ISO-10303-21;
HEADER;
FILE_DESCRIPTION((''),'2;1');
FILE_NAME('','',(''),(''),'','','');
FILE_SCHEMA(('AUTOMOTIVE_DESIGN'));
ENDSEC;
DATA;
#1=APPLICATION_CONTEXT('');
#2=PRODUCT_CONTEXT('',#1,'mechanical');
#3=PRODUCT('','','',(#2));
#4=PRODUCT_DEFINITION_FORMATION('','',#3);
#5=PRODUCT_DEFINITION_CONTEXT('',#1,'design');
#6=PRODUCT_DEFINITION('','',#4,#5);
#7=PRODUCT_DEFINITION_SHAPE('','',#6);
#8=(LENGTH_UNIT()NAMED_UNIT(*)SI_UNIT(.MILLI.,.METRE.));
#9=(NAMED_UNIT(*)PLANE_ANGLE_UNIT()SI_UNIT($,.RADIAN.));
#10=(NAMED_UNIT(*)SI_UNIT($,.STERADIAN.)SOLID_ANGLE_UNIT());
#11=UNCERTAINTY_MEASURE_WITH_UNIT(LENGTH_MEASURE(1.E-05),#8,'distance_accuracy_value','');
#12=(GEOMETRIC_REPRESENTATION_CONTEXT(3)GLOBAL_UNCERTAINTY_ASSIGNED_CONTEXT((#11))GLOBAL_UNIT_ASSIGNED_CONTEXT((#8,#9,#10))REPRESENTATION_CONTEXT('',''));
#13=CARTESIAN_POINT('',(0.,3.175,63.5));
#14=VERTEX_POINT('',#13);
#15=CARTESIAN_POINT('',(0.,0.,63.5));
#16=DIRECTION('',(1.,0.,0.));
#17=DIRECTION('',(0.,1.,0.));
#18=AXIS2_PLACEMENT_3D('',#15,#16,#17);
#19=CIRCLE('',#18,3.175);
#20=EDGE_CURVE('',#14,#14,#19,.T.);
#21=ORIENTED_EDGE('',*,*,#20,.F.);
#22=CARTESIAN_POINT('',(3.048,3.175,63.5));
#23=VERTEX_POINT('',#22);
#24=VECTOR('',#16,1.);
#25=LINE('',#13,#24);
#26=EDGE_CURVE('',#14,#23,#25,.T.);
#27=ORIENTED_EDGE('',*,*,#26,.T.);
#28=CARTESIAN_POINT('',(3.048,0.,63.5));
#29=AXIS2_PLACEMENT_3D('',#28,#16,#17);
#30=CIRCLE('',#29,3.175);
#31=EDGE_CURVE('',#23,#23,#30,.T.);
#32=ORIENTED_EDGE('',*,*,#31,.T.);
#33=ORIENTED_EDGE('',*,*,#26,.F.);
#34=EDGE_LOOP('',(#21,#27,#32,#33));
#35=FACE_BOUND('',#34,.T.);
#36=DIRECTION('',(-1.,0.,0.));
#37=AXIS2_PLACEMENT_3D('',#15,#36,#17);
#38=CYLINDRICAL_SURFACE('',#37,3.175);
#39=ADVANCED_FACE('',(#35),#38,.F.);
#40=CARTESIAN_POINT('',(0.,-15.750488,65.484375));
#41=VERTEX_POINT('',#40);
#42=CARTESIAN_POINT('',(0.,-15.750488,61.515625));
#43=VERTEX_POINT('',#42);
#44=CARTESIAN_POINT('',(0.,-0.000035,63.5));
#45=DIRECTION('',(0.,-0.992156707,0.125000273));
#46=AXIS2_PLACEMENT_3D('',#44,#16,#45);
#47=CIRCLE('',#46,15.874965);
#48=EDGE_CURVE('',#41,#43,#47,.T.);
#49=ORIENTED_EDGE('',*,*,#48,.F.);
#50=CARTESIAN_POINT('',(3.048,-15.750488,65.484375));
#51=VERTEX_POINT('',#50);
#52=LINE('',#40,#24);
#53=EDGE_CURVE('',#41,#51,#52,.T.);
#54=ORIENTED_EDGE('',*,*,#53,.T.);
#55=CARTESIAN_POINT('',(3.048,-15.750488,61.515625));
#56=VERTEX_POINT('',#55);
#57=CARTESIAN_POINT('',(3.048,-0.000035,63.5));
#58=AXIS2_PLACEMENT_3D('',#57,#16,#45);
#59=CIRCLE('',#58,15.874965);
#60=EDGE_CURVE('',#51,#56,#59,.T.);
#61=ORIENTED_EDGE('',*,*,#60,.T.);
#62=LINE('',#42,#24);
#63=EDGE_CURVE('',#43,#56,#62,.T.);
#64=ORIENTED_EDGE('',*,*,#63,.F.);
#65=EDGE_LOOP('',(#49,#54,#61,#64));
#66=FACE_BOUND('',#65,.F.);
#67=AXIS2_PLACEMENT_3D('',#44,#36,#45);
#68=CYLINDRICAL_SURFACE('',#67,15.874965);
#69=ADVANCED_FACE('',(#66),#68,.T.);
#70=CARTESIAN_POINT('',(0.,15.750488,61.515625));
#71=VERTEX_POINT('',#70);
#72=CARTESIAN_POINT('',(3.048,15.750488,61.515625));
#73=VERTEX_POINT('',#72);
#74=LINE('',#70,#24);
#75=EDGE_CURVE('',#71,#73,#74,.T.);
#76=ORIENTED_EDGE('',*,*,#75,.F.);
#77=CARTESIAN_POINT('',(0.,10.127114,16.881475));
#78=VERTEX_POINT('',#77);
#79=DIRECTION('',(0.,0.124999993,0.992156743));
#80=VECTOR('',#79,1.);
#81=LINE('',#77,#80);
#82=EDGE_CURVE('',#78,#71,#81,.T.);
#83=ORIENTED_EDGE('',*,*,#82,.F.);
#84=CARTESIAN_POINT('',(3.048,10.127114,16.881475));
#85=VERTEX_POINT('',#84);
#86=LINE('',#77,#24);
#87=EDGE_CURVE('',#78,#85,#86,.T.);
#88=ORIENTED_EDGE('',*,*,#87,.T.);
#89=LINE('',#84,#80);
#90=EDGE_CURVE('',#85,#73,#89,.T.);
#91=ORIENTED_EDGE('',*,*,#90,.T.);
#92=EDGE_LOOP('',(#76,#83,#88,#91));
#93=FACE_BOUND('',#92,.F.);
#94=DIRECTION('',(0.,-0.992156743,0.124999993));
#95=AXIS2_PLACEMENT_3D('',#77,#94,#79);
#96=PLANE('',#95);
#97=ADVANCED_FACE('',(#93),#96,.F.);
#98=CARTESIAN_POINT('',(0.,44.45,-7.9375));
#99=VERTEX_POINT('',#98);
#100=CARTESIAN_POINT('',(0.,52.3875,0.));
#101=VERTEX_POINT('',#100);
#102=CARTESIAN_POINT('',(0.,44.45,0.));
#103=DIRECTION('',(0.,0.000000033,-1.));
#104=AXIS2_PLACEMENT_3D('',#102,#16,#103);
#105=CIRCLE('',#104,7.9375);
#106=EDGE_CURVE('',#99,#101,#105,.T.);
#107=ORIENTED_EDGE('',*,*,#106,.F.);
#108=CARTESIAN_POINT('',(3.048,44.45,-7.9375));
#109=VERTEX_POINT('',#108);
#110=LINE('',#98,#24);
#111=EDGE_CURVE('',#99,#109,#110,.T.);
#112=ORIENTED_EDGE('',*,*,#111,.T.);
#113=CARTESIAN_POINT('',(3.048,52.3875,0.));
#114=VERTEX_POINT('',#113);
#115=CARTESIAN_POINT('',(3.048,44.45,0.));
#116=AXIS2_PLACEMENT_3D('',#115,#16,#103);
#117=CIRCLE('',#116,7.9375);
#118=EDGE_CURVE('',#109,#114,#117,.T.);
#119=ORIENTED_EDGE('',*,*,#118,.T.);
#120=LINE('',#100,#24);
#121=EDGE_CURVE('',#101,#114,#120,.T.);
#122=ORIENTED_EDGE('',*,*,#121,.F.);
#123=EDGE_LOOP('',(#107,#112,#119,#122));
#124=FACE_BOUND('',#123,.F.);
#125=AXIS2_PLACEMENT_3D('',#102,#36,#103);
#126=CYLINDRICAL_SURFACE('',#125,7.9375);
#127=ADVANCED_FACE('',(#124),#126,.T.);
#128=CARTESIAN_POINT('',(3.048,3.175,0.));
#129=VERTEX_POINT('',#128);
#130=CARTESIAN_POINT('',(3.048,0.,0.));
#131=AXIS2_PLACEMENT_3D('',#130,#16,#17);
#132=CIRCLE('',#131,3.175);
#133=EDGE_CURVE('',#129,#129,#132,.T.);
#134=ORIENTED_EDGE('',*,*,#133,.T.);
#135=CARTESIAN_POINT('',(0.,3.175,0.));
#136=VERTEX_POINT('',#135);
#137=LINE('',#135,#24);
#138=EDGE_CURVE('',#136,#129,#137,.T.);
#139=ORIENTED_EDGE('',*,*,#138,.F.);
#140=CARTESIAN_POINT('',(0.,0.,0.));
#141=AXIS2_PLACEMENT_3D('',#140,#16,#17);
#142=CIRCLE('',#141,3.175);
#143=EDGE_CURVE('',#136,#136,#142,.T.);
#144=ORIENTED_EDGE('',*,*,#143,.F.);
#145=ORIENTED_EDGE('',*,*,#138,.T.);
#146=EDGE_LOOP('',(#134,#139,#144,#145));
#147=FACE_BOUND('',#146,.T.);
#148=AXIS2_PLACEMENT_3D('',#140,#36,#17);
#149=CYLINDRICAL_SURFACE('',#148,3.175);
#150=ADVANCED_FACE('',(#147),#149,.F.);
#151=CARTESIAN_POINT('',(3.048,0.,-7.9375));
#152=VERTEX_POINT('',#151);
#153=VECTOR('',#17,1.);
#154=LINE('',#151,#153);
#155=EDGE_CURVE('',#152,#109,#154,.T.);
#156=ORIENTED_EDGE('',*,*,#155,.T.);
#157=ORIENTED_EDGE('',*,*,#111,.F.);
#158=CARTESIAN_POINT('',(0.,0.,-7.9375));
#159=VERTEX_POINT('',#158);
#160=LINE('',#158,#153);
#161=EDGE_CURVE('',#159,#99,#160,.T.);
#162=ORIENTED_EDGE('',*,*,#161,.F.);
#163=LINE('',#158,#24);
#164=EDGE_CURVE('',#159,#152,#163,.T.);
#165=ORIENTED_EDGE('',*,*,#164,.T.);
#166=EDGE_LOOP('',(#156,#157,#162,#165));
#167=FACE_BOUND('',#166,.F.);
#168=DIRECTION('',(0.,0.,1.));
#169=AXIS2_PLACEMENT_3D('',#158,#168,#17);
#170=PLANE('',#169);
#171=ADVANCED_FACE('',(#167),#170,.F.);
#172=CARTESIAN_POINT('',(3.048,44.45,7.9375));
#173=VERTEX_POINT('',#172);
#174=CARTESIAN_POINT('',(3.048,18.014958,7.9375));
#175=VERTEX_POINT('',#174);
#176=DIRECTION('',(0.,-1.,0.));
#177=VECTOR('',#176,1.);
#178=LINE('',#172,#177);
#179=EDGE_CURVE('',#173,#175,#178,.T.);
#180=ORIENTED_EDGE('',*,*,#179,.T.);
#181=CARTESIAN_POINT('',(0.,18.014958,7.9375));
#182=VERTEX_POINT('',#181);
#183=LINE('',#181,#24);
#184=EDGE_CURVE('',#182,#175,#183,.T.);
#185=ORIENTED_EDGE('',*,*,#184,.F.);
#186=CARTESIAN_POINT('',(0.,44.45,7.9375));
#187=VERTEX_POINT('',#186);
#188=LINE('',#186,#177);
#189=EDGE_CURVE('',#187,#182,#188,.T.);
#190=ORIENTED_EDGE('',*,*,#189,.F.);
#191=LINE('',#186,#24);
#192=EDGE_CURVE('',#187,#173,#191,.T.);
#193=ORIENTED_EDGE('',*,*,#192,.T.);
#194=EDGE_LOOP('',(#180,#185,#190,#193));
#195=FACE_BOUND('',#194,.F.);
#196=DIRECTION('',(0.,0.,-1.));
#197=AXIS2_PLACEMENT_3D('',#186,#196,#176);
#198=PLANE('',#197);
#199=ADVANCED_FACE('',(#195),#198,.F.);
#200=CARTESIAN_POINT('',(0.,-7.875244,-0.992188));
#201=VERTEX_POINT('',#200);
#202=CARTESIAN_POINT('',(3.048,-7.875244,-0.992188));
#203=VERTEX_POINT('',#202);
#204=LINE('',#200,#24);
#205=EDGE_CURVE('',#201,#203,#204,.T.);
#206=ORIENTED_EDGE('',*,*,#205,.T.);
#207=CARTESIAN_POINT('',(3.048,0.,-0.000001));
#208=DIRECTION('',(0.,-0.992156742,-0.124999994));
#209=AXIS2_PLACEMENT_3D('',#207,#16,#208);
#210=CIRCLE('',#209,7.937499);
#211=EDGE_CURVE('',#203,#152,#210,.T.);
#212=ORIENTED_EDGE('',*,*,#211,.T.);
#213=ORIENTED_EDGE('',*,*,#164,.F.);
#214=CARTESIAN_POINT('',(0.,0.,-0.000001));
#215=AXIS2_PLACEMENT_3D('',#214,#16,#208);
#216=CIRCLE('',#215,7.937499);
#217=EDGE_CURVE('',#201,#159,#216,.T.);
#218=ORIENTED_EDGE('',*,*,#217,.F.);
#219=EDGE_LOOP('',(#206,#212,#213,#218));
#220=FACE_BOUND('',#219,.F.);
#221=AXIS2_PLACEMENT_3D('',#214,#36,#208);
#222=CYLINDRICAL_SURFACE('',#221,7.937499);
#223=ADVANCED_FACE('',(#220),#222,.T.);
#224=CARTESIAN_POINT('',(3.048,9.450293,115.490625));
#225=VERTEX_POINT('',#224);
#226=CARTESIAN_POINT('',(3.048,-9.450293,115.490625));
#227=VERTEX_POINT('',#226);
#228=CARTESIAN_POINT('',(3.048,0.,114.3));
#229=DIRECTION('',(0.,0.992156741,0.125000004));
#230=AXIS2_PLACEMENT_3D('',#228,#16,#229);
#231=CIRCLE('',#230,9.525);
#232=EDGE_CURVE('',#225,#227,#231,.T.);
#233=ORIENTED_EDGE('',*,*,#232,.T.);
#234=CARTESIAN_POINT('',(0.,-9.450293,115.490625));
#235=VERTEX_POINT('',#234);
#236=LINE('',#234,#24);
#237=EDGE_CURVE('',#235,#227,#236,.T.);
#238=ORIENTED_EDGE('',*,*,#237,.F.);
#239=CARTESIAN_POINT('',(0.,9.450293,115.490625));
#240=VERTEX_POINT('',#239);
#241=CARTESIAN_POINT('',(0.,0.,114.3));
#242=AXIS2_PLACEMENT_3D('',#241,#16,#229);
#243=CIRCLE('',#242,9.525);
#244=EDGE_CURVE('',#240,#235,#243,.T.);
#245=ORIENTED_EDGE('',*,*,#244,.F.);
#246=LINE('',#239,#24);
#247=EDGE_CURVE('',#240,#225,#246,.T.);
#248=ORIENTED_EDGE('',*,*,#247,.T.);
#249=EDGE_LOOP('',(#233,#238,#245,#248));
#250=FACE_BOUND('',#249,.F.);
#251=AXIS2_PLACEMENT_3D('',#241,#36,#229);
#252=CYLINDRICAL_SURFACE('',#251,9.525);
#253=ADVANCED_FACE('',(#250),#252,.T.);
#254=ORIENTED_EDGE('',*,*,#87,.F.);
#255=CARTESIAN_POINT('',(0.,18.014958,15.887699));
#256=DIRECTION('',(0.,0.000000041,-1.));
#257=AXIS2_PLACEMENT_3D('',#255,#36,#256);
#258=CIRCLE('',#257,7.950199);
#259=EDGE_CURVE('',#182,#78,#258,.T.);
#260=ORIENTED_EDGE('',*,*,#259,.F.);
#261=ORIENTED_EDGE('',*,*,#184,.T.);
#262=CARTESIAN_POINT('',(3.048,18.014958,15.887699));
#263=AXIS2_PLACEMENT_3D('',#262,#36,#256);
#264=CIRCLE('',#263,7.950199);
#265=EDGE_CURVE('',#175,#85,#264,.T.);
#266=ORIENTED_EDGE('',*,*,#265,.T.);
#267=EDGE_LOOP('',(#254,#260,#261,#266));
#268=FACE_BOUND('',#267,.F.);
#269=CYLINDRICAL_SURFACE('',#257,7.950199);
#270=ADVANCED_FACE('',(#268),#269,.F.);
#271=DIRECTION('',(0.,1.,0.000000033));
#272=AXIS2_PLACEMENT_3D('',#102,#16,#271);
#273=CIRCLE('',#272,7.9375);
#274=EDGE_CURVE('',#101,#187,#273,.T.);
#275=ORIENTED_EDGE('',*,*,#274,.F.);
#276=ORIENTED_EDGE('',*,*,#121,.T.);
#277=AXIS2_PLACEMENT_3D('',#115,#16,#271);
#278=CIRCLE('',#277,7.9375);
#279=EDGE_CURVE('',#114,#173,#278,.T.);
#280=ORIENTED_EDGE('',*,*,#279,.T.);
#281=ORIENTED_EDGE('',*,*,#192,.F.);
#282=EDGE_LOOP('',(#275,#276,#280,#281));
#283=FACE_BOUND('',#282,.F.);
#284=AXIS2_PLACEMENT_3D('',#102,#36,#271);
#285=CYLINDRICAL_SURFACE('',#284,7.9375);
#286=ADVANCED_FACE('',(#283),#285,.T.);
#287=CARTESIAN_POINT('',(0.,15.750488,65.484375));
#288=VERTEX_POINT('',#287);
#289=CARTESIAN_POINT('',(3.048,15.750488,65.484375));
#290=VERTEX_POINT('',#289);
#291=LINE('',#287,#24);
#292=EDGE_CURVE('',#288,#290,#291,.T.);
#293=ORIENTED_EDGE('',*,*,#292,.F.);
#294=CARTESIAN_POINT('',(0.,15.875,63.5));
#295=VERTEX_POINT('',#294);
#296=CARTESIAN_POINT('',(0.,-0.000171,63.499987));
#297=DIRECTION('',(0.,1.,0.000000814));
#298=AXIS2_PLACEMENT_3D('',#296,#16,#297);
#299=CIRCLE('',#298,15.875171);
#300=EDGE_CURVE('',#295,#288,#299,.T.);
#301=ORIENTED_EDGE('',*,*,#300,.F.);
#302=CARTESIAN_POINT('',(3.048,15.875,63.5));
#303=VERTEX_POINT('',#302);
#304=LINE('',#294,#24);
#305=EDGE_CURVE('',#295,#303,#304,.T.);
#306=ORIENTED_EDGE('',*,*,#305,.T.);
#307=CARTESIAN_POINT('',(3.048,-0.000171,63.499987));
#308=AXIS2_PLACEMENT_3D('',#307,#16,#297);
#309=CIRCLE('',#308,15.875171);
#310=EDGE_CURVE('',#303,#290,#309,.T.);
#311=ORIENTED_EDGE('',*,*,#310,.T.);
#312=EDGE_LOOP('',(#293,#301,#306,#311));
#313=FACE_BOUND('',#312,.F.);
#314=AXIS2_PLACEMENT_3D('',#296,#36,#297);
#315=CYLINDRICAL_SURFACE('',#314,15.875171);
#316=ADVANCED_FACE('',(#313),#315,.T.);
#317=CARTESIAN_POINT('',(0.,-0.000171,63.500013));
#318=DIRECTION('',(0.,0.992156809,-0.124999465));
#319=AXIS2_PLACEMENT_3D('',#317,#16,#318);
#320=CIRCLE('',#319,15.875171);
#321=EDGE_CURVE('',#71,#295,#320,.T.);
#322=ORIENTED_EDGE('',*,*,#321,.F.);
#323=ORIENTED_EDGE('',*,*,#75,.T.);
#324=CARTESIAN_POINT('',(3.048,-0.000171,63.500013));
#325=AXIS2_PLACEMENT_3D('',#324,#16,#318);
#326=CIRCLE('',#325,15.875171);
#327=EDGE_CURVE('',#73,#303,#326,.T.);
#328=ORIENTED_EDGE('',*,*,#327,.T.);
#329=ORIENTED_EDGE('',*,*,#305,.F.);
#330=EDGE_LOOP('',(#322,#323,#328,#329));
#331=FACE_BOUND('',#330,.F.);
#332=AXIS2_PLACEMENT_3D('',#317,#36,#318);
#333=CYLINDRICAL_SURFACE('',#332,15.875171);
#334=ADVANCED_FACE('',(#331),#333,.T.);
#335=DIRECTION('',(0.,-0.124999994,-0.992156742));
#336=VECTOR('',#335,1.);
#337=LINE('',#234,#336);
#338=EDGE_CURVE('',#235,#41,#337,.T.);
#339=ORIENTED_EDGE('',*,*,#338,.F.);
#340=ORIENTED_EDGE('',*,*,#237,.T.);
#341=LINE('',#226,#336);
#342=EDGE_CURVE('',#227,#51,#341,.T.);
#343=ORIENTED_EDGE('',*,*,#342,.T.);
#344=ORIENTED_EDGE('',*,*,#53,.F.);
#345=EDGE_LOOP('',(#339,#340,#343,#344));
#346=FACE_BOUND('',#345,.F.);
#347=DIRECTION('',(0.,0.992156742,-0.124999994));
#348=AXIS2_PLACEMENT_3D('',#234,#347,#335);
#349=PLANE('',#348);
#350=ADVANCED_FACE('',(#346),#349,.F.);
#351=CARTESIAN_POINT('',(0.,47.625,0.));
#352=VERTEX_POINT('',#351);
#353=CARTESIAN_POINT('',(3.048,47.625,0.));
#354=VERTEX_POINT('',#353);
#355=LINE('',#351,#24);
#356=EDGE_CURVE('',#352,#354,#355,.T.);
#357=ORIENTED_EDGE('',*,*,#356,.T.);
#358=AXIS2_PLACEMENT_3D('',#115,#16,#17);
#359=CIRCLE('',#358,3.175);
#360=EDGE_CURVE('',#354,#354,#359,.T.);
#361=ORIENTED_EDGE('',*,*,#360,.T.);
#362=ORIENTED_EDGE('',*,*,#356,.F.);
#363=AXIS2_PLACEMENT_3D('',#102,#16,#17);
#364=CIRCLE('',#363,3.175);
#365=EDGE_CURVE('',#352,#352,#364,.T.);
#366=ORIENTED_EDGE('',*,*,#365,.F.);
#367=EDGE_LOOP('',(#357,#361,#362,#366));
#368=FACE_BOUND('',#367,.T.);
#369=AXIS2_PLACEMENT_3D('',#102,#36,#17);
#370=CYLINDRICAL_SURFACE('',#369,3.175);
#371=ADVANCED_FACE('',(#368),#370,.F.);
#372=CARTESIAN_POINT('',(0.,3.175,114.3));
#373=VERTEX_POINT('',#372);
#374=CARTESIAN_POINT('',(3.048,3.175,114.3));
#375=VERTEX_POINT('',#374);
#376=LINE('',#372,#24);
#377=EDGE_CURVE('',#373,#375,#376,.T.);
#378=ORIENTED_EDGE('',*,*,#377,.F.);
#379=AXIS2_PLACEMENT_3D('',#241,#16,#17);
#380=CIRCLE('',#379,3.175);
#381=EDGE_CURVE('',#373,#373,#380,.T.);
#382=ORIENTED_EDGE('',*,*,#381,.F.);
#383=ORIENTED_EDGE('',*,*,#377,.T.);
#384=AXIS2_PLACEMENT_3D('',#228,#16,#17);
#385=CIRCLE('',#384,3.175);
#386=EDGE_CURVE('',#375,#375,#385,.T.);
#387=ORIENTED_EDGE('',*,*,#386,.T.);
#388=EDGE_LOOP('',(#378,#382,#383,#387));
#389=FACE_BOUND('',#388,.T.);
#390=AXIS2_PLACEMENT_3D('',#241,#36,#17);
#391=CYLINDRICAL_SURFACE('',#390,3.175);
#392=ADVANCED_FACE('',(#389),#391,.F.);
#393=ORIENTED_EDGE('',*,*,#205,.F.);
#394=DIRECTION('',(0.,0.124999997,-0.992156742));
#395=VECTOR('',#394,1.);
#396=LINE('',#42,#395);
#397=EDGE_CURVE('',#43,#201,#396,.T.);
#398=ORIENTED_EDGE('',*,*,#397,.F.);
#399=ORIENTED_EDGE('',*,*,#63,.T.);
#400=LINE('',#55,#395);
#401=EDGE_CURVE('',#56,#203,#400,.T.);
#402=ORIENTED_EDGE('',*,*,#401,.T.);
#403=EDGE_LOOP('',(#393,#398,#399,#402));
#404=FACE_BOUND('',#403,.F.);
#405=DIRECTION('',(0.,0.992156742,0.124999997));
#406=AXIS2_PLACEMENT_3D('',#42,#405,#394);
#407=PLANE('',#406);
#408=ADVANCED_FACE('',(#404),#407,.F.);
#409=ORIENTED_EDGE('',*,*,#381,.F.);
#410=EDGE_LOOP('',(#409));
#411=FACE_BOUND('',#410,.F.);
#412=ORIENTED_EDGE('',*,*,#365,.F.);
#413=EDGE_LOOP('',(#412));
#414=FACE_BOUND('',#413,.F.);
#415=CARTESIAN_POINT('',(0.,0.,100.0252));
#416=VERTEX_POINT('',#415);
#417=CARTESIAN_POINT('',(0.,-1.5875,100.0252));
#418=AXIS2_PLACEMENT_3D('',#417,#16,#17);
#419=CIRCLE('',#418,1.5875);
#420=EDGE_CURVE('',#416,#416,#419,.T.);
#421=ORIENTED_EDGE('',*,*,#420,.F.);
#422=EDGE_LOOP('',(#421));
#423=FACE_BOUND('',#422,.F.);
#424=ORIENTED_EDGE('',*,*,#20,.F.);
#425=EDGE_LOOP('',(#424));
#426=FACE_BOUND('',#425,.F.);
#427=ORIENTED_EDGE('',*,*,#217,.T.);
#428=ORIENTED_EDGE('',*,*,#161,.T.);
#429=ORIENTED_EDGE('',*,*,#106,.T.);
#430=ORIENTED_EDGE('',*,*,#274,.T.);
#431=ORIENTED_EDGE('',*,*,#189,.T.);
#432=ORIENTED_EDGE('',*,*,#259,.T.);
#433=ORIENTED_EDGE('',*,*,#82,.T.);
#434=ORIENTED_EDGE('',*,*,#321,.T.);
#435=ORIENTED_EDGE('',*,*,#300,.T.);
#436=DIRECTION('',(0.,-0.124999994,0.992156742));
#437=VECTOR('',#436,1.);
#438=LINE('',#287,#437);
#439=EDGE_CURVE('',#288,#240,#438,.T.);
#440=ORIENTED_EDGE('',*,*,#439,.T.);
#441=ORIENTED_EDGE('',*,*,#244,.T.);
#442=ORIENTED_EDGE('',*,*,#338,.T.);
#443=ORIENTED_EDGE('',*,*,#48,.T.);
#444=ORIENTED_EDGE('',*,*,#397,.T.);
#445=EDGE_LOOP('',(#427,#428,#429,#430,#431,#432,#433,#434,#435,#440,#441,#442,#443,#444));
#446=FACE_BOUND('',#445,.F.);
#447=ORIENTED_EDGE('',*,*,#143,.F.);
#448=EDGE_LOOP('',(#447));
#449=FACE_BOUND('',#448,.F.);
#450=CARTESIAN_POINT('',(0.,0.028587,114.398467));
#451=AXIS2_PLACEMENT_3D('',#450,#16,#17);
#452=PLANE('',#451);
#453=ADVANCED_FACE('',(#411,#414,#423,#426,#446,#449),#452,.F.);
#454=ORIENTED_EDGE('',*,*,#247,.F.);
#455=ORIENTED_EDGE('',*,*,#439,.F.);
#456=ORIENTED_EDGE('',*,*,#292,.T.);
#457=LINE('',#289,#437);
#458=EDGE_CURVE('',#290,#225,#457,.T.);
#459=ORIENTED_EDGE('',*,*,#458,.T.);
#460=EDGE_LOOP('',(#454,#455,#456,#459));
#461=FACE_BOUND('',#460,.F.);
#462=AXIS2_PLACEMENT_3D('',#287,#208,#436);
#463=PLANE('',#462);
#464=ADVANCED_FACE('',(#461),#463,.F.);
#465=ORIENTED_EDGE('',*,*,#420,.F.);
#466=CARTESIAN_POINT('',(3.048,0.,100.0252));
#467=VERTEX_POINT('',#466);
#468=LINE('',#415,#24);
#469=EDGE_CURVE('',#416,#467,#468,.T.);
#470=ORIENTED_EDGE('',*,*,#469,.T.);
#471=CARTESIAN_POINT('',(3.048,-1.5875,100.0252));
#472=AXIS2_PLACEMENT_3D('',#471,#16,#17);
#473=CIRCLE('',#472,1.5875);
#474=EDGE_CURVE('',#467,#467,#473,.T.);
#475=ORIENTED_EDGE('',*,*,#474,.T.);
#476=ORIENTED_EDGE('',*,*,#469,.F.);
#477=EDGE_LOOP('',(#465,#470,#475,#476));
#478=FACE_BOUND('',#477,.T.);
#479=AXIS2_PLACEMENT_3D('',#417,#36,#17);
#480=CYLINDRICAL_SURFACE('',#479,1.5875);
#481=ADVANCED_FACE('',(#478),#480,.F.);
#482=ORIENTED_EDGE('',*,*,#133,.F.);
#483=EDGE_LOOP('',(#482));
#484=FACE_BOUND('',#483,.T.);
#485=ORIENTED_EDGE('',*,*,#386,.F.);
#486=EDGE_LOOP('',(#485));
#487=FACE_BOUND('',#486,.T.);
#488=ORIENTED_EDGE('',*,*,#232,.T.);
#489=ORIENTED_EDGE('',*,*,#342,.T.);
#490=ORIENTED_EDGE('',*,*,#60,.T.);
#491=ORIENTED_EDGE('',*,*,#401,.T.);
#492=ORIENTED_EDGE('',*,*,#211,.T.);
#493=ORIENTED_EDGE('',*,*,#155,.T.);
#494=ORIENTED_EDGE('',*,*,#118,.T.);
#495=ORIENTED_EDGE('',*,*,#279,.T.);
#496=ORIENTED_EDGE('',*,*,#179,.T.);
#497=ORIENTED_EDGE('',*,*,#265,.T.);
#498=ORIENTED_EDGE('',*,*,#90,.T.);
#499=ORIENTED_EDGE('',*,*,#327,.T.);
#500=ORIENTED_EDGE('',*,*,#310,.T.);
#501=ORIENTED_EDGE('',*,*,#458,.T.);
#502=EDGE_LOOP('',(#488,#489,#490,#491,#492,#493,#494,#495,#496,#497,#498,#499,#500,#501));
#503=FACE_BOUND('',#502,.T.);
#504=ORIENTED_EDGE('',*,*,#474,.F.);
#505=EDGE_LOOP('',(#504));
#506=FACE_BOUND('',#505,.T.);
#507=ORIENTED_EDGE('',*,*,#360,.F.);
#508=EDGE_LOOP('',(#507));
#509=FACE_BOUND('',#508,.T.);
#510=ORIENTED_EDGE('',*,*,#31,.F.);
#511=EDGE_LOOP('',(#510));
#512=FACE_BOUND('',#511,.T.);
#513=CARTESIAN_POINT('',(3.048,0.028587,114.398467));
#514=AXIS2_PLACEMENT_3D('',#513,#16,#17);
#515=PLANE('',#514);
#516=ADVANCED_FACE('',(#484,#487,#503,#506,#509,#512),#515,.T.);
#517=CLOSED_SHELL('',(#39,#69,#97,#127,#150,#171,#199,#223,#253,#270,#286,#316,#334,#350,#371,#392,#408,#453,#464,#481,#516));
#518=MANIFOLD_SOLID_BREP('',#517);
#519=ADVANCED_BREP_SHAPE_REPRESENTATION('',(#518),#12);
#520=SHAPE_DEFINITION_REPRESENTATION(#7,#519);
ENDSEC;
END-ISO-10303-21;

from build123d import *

# Parameters (mm, degrees)
F0_R     = 3.175
F0_R_2   = 1.5875
F1_DEPTH = 3.048


with BuildPart() as f1:
    # F0 (on Right) → F1 (new body)
    with BuildSketch(Plane.YZ):
        with BuildLine():
            ThreePointArc((-9.450293, 115.490625), (-0.596483, 104.793695), (9.525, 114.3))
            ThreePointArc((9.525, 114.3), (9.506305, 114.896483), (9.450293, 115.490625))
            ThreePointArc((9.450293, 115.490625), (0, 123.825), (-9.450293, 115.490625))
        make_face()
        with Locations((0, 114.3)):
            Circle(F0_R, mode=Mode.SUBTRACT)
        with BuildLine():
            ThreePointArc((9.450293, 115.490625), (9.506305, 114.896483), (9.525, 114.3))
            ThreePointArc((9.525, 114.3), (-0.596483, 104.793695), (-9.450293, 115.490625))
            Line((-9.450293, 115.490625), (-15.750488, 65.484375))
            ThreePointArc((-15.750488, 65.484375), (0, 79.375), (15.750488, 65.484375))
            Line((15.750488, 65.484375), (9.450293, 115.490625))
        make_face()
        with Locations((-1.5875, 100.0252)):
            Circle(F0_R_2, mode=Mode.SUBTRACT)
        with BuildLine():
            ThreePointArc((15.875, 63.5), (15.843841, 64.494139), (15.750488, 65.484375))
            ThreePointArc((15.750488, 65.484375), (0, 79.375), (-15.750488, 65.484375))
            ThreePointArc((-15.750488, 65.484375), (-15.875, 63.5), (-15.750488, 61.515625))
            ThreePointArc((-15.750488, 61.515625), (0, 47.625), (15.750488, 61.515625))
            ThreePointArc((15.750488, 61.515625), (15.843841, 62.505861), (15.875, 63.5))
        make_face()
        with Locations((0, 63.5)):
            Circle(F0_R, mode=Mode.SUBTRACT)
        with BuildLine():
            ThreePointArc((15.750488, 61.515625), (0, 47.625), (-15.750488, 61.515625))
            Line((-15.750488, 61.515625), (-7.875244, -0.992188))
            ThreePointArc((-7.875244, -0.992188), (-0.497069, 7.921921), (7.9375, 0))
            ThreePointArc((7.9375, 0), (5.61266, -5.61266), (0, -7.9375))
            Line((0, -7.9375), (44.45, -7.9375))
            ThreePointArc((44.45, -7.9375), (36.5125, 0), (44.45, 7.9375))
            Line((44.45, 7.9375), (18.014958, 7.9375))
            ThreePointArc((18.014958, 7.9375), (12.052308, 10.629137), (10.127114, 16.881475))
            Line((10.127114, 16.881475), (15.750488, 61.515625))
        make_face()
        with BuildLine():
            ThreePointArc((7.9375, 0), (-0.497069, 7.921921), (-7.875244, -0.992188))
            ThreePointArc((-7.875244, -0.992188), (-5.250163, -5.953125), (0, -7.9375))
            ThreePointArc((0, -7.9375), (5.61266, -5.61266), (7.9375, 0))
        make_face()
        Circle(F0_R, mode=Mode.SUBTRACT)
        with BuildLine():
            ThreePointArc((44.45, 7.9375), (36.5125, 0), (44.45, -7.9375))
            ThreePointArc((44.45, -7.9375), (50.06266, -5.61266), (52.3875, 0))
            ThreePointArc((52.3875, 0), (50.06266, 5.61266), (44.45, 7.9375))
        make_face()
        with Locations((44.45, 0)):
            Circle(F0_R, mode=Mode.SUBTRACT)
    extrude(amount=F1_DEPTH)


solid = f1.part
